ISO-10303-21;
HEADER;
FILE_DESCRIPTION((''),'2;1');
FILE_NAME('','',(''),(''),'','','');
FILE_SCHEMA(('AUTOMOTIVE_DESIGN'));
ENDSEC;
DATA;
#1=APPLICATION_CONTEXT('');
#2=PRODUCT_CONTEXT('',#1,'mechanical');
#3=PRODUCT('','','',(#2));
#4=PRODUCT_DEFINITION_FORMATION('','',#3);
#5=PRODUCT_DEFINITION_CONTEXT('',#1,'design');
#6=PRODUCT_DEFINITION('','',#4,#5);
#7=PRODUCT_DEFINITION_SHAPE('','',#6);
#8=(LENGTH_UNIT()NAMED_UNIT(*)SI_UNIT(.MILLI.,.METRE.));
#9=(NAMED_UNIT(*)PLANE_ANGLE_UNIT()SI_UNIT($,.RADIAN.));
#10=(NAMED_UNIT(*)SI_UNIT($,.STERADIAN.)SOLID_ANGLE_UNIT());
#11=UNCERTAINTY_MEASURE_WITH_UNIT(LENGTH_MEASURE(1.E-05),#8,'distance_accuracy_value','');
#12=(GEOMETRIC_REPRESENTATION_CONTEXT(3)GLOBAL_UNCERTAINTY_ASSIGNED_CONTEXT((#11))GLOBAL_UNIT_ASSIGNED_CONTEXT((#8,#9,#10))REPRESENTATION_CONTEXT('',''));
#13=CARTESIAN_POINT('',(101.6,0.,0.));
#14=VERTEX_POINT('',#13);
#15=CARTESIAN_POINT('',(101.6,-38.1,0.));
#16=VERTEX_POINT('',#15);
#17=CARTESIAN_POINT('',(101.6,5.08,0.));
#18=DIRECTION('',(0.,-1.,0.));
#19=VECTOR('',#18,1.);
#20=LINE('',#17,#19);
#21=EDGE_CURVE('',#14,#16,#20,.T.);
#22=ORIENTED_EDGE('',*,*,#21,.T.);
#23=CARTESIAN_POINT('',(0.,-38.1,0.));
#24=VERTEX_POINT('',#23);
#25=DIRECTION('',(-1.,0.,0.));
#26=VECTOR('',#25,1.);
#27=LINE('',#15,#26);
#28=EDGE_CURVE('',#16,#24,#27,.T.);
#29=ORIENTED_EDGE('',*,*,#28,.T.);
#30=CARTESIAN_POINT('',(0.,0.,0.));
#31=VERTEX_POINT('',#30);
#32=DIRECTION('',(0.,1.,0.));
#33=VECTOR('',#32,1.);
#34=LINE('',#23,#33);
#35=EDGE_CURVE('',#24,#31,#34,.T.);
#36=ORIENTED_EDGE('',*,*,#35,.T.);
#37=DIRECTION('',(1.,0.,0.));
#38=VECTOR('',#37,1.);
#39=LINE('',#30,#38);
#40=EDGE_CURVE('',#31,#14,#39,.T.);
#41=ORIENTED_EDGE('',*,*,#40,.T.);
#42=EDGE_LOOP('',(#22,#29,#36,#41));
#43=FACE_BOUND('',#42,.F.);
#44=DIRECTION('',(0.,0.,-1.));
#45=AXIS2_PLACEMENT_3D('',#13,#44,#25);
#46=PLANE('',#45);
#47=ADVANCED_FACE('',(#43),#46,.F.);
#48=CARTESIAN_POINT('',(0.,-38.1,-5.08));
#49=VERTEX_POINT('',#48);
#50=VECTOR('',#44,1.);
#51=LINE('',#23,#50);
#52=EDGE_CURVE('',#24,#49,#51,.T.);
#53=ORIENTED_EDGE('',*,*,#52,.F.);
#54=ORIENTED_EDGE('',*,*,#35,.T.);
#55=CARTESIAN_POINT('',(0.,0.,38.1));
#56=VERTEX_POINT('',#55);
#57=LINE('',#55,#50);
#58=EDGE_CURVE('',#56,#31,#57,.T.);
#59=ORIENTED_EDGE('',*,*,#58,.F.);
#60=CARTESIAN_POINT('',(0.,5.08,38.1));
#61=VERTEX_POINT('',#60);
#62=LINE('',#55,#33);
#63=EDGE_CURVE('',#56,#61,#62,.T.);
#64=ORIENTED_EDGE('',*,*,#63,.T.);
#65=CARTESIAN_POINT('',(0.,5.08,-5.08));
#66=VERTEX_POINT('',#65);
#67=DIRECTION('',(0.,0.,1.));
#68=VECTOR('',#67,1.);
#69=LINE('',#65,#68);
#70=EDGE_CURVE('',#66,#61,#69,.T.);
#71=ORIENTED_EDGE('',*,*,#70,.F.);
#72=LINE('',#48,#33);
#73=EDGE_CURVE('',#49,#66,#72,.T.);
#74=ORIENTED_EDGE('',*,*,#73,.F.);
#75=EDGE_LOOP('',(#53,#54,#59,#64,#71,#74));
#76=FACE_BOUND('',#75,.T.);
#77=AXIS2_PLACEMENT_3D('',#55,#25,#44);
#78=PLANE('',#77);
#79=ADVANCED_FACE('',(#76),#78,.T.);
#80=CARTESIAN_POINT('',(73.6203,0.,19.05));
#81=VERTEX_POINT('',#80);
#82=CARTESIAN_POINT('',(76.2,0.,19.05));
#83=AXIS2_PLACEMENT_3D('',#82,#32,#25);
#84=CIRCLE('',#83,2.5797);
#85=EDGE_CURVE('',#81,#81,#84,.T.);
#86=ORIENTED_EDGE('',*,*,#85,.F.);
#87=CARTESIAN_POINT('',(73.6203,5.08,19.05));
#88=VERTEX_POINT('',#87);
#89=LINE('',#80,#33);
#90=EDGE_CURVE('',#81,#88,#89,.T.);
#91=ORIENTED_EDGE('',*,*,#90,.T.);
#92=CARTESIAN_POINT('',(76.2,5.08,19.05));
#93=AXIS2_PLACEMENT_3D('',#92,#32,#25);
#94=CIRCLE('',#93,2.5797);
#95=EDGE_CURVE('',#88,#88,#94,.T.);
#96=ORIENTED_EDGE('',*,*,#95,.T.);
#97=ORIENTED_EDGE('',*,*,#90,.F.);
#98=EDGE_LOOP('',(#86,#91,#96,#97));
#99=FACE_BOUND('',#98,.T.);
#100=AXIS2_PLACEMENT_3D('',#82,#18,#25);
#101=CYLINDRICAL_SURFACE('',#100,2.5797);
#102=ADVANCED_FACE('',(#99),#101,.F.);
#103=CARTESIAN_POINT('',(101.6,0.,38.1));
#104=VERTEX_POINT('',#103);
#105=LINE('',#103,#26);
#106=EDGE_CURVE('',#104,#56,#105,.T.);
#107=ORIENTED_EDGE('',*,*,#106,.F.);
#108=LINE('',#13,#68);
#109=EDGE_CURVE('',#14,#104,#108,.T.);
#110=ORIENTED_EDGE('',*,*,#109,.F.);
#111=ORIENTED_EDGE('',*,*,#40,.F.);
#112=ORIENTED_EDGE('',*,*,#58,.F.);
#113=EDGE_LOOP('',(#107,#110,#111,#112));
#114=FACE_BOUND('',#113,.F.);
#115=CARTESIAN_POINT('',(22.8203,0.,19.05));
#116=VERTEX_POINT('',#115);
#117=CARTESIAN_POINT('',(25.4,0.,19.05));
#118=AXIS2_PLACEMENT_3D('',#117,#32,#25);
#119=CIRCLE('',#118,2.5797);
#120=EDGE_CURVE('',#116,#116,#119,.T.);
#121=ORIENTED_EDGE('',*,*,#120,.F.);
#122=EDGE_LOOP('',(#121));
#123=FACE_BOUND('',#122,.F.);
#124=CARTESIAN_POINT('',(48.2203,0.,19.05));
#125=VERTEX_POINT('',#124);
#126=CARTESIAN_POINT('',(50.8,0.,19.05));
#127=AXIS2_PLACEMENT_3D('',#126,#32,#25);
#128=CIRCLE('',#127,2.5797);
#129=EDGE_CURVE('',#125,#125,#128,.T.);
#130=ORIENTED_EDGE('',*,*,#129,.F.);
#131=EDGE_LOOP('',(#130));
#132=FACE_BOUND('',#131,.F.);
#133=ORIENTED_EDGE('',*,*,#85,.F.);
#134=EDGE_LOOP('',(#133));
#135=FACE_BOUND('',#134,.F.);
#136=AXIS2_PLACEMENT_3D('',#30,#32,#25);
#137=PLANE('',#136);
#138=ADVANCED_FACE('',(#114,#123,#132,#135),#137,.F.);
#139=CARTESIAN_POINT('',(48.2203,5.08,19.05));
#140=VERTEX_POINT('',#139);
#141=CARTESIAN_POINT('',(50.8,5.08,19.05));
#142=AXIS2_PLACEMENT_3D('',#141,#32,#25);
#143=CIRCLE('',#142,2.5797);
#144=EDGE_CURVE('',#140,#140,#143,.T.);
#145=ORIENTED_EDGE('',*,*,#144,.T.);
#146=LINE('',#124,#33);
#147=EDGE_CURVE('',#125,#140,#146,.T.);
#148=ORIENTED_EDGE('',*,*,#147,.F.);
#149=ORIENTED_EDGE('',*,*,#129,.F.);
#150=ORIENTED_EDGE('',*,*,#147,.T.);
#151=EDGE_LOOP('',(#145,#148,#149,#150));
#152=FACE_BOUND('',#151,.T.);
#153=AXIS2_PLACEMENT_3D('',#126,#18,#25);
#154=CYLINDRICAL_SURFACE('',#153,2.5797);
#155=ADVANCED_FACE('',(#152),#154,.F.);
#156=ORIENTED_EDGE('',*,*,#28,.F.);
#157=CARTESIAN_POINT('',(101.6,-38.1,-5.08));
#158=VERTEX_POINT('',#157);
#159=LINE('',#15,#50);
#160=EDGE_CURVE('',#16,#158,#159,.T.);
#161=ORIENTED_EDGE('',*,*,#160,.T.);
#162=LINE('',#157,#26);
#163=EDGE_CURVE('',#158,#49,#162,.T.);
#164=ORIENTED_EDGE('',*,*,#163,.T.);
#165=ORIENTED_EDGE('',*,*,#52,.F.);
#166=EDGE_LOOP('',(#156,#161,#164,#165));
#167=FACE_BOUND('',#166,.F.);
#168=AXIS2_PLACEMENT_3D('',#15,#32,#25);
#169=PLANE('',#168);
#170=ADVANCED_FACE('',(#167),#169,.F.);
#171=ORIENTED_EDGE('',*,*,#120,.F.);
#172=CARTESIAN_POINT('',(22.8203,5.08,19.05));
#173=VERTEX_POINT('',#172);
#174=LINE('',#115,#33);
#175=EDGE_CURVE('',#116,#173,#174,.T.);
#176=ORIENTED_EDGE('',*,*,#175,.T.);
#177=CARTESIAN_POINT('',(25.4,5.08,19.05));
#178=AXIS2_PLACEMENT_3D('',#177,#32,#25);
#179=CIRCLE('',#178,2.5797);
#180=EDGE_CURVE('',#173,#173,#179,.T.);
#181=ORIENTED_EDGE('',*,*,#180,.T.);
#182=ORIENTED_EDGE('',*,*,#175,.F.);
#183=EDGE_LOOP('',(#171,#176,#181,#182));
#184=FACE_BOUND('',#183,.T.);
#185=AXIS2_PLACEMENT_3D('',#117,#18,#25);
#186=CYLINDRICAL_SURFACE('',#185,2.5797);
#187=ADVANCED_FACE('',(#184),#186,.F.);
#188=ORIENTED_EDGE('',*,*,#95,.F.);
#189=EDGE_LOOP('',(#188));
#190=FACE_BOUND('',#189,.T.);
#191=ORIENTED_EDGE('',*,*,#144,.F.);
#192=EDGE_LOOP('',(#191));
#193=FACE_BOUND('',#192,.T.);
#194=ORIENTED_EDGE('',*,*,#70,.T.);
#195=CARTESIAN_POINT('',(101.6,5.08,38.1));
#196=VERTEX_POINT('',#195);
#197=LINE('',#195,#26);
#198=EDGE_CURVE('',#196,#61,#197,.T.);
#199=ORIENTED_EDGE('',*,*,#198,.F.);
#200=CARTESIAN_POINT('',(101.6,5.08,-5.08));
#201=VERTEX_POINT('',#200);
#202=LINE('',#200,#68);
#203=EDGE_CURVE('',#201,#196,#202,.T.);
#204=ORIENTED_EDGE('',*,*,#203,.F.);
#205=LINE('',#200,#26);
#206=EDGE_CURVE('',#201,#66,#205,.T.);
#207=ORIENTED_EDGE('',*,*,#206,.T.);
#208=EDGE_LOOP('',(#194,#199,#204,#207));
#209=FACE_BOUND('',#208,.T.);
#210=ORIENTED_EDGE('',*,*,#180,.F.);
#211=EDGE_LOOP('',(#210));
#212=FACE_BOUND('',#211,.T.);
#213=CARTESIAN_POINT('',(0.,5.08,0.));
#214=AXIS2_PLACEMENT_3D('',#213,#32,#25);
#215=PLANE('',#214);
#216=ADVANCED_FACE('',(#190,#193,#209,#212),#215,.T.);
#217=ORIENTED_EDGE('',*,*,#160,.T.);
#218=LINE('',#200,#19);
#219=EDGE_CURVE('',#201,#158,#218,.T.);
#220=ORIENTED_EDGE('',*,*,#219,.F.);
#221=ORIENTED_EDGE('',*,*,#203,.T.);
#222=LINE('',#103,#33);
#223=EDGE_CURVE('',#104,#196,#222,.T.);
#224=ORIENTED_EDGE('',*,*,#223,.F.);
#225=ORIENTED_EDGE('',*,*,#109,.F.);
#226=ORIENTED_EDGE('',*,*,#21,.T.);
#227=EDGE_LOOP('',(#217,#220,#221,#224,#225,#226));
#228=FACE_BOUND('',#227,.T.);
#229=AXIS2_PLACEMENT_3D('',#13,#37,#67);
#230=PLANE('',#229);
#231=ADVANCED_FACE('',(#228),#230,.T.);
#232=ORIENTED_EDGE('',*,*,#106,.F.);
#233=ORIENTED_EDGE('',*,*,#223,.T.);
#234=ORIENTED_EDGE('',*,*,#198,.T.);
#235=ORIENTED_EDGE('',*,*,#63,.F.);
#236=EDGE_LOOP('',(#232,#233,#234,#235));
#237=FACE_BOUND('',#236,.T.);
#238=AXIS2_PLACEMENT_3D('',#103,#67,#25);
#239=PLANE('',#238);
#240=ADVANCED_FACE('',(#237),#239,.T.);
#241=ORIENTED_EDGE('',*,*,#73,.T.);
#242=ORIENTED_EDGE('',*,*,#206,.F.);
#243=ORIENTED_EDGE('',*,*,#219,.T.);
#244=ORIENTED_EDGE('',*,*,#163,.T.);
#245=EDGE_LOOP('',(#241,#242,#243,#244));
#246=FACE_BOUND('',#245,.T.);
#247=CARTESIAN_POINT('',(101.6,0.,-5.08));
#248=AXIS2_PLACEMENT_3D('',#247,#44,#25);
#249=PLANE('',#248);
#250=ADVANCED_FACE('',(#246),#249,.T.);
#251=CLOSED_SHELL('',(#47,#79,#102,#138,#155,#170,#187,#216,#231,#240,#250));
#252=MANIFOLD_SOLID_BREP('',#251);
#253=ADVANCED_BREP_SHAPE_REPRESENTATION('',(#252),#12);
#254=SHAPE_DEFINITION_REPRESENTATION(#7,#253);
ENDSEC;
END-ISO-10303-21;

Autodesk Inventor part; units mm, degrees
ref_plane "YZ Plane" through (0, 0, 0) normal (1, 0, 0) x (0, 1, 0)
ref_plane "XZ Plane" through (0, 0, 0) normal (0, 1, 0) x (-1, 0, 0)
ref_plane "XY Plane" through (0, 0, 0) normal (0, 0, 1) x (1, 0, 0)
sketch "Sketch1" plane through (0, 0, 0) normal (0, 1, 0) x (-1, 0, 0)
  line L0 (0, 0) -> (-101.6, 0)
  line L1 (-101.6, 0) -> (-101.6, 38.1)
  line L2 (-101.6, 38.1) -> (0, 38.1)
  line L3 (0, 38.1) -> (0, 0)
  line L4 (0, 19.05) -> (-101.6, 19.05) construction
  line L5 (0, 9.2781) -> (-25.4, 9.2781) construction
  line L6 (-25.4, 9.2781) -> (-50.8, 9.2781) construction
  line L7 (-50.8, 9.2781) -> (-76.2, 9.2781) construction
  line L8 (-76.2, 9.2781) -> (-101.6, 9.2781) construction
  line L9 (-101.6, 9.2781) -> (-101.6, 9.2781) construction
  circle A0 centre (-25.4, 19.05) radius 2.5797
  circle A1 centre (-50.8, 19.05) radius 2.5797
  circle A2 centre (-76.2, 19.05) radius 2.5797
  dimension "d0" = 101.6
  dimension "d1" = 38.1
  dimension "d2" = 25.4
  dimension "d3" = 25.4
  dimension "d4" = 25.4
  dimension "d5" = 25.4
  dimension "d6" = 5.1594
  dimension "d7" = 5.1594
  dimension "d8" = 5.1594
extrude "Extrusion1" add sketch "Sketch1" along normal blind 5.08
sketch "Sketch2" plane through (101.6, 0, 0) normal (0, 0, -1) x (-1, 0, 0)
  line L0 (0, 5.08) -> (101.6, 5.08) projected
  line L1 (101.6, 5.08) -> (0, 5.08)
  line L2 (0, 5.08) -> (0, -38.1)
  line L3 (0, -38.1) -> (101.6, -38.1)
  line L4 (101.6, -38.1) -> (101.6, 5.08)
  point P0 (101.6, 0)
  dimension "d11" = 43.18
extrude "Extrusion2" add sketch "Sketch2" along normal blind 5.08
properties part number "jig proto1"
